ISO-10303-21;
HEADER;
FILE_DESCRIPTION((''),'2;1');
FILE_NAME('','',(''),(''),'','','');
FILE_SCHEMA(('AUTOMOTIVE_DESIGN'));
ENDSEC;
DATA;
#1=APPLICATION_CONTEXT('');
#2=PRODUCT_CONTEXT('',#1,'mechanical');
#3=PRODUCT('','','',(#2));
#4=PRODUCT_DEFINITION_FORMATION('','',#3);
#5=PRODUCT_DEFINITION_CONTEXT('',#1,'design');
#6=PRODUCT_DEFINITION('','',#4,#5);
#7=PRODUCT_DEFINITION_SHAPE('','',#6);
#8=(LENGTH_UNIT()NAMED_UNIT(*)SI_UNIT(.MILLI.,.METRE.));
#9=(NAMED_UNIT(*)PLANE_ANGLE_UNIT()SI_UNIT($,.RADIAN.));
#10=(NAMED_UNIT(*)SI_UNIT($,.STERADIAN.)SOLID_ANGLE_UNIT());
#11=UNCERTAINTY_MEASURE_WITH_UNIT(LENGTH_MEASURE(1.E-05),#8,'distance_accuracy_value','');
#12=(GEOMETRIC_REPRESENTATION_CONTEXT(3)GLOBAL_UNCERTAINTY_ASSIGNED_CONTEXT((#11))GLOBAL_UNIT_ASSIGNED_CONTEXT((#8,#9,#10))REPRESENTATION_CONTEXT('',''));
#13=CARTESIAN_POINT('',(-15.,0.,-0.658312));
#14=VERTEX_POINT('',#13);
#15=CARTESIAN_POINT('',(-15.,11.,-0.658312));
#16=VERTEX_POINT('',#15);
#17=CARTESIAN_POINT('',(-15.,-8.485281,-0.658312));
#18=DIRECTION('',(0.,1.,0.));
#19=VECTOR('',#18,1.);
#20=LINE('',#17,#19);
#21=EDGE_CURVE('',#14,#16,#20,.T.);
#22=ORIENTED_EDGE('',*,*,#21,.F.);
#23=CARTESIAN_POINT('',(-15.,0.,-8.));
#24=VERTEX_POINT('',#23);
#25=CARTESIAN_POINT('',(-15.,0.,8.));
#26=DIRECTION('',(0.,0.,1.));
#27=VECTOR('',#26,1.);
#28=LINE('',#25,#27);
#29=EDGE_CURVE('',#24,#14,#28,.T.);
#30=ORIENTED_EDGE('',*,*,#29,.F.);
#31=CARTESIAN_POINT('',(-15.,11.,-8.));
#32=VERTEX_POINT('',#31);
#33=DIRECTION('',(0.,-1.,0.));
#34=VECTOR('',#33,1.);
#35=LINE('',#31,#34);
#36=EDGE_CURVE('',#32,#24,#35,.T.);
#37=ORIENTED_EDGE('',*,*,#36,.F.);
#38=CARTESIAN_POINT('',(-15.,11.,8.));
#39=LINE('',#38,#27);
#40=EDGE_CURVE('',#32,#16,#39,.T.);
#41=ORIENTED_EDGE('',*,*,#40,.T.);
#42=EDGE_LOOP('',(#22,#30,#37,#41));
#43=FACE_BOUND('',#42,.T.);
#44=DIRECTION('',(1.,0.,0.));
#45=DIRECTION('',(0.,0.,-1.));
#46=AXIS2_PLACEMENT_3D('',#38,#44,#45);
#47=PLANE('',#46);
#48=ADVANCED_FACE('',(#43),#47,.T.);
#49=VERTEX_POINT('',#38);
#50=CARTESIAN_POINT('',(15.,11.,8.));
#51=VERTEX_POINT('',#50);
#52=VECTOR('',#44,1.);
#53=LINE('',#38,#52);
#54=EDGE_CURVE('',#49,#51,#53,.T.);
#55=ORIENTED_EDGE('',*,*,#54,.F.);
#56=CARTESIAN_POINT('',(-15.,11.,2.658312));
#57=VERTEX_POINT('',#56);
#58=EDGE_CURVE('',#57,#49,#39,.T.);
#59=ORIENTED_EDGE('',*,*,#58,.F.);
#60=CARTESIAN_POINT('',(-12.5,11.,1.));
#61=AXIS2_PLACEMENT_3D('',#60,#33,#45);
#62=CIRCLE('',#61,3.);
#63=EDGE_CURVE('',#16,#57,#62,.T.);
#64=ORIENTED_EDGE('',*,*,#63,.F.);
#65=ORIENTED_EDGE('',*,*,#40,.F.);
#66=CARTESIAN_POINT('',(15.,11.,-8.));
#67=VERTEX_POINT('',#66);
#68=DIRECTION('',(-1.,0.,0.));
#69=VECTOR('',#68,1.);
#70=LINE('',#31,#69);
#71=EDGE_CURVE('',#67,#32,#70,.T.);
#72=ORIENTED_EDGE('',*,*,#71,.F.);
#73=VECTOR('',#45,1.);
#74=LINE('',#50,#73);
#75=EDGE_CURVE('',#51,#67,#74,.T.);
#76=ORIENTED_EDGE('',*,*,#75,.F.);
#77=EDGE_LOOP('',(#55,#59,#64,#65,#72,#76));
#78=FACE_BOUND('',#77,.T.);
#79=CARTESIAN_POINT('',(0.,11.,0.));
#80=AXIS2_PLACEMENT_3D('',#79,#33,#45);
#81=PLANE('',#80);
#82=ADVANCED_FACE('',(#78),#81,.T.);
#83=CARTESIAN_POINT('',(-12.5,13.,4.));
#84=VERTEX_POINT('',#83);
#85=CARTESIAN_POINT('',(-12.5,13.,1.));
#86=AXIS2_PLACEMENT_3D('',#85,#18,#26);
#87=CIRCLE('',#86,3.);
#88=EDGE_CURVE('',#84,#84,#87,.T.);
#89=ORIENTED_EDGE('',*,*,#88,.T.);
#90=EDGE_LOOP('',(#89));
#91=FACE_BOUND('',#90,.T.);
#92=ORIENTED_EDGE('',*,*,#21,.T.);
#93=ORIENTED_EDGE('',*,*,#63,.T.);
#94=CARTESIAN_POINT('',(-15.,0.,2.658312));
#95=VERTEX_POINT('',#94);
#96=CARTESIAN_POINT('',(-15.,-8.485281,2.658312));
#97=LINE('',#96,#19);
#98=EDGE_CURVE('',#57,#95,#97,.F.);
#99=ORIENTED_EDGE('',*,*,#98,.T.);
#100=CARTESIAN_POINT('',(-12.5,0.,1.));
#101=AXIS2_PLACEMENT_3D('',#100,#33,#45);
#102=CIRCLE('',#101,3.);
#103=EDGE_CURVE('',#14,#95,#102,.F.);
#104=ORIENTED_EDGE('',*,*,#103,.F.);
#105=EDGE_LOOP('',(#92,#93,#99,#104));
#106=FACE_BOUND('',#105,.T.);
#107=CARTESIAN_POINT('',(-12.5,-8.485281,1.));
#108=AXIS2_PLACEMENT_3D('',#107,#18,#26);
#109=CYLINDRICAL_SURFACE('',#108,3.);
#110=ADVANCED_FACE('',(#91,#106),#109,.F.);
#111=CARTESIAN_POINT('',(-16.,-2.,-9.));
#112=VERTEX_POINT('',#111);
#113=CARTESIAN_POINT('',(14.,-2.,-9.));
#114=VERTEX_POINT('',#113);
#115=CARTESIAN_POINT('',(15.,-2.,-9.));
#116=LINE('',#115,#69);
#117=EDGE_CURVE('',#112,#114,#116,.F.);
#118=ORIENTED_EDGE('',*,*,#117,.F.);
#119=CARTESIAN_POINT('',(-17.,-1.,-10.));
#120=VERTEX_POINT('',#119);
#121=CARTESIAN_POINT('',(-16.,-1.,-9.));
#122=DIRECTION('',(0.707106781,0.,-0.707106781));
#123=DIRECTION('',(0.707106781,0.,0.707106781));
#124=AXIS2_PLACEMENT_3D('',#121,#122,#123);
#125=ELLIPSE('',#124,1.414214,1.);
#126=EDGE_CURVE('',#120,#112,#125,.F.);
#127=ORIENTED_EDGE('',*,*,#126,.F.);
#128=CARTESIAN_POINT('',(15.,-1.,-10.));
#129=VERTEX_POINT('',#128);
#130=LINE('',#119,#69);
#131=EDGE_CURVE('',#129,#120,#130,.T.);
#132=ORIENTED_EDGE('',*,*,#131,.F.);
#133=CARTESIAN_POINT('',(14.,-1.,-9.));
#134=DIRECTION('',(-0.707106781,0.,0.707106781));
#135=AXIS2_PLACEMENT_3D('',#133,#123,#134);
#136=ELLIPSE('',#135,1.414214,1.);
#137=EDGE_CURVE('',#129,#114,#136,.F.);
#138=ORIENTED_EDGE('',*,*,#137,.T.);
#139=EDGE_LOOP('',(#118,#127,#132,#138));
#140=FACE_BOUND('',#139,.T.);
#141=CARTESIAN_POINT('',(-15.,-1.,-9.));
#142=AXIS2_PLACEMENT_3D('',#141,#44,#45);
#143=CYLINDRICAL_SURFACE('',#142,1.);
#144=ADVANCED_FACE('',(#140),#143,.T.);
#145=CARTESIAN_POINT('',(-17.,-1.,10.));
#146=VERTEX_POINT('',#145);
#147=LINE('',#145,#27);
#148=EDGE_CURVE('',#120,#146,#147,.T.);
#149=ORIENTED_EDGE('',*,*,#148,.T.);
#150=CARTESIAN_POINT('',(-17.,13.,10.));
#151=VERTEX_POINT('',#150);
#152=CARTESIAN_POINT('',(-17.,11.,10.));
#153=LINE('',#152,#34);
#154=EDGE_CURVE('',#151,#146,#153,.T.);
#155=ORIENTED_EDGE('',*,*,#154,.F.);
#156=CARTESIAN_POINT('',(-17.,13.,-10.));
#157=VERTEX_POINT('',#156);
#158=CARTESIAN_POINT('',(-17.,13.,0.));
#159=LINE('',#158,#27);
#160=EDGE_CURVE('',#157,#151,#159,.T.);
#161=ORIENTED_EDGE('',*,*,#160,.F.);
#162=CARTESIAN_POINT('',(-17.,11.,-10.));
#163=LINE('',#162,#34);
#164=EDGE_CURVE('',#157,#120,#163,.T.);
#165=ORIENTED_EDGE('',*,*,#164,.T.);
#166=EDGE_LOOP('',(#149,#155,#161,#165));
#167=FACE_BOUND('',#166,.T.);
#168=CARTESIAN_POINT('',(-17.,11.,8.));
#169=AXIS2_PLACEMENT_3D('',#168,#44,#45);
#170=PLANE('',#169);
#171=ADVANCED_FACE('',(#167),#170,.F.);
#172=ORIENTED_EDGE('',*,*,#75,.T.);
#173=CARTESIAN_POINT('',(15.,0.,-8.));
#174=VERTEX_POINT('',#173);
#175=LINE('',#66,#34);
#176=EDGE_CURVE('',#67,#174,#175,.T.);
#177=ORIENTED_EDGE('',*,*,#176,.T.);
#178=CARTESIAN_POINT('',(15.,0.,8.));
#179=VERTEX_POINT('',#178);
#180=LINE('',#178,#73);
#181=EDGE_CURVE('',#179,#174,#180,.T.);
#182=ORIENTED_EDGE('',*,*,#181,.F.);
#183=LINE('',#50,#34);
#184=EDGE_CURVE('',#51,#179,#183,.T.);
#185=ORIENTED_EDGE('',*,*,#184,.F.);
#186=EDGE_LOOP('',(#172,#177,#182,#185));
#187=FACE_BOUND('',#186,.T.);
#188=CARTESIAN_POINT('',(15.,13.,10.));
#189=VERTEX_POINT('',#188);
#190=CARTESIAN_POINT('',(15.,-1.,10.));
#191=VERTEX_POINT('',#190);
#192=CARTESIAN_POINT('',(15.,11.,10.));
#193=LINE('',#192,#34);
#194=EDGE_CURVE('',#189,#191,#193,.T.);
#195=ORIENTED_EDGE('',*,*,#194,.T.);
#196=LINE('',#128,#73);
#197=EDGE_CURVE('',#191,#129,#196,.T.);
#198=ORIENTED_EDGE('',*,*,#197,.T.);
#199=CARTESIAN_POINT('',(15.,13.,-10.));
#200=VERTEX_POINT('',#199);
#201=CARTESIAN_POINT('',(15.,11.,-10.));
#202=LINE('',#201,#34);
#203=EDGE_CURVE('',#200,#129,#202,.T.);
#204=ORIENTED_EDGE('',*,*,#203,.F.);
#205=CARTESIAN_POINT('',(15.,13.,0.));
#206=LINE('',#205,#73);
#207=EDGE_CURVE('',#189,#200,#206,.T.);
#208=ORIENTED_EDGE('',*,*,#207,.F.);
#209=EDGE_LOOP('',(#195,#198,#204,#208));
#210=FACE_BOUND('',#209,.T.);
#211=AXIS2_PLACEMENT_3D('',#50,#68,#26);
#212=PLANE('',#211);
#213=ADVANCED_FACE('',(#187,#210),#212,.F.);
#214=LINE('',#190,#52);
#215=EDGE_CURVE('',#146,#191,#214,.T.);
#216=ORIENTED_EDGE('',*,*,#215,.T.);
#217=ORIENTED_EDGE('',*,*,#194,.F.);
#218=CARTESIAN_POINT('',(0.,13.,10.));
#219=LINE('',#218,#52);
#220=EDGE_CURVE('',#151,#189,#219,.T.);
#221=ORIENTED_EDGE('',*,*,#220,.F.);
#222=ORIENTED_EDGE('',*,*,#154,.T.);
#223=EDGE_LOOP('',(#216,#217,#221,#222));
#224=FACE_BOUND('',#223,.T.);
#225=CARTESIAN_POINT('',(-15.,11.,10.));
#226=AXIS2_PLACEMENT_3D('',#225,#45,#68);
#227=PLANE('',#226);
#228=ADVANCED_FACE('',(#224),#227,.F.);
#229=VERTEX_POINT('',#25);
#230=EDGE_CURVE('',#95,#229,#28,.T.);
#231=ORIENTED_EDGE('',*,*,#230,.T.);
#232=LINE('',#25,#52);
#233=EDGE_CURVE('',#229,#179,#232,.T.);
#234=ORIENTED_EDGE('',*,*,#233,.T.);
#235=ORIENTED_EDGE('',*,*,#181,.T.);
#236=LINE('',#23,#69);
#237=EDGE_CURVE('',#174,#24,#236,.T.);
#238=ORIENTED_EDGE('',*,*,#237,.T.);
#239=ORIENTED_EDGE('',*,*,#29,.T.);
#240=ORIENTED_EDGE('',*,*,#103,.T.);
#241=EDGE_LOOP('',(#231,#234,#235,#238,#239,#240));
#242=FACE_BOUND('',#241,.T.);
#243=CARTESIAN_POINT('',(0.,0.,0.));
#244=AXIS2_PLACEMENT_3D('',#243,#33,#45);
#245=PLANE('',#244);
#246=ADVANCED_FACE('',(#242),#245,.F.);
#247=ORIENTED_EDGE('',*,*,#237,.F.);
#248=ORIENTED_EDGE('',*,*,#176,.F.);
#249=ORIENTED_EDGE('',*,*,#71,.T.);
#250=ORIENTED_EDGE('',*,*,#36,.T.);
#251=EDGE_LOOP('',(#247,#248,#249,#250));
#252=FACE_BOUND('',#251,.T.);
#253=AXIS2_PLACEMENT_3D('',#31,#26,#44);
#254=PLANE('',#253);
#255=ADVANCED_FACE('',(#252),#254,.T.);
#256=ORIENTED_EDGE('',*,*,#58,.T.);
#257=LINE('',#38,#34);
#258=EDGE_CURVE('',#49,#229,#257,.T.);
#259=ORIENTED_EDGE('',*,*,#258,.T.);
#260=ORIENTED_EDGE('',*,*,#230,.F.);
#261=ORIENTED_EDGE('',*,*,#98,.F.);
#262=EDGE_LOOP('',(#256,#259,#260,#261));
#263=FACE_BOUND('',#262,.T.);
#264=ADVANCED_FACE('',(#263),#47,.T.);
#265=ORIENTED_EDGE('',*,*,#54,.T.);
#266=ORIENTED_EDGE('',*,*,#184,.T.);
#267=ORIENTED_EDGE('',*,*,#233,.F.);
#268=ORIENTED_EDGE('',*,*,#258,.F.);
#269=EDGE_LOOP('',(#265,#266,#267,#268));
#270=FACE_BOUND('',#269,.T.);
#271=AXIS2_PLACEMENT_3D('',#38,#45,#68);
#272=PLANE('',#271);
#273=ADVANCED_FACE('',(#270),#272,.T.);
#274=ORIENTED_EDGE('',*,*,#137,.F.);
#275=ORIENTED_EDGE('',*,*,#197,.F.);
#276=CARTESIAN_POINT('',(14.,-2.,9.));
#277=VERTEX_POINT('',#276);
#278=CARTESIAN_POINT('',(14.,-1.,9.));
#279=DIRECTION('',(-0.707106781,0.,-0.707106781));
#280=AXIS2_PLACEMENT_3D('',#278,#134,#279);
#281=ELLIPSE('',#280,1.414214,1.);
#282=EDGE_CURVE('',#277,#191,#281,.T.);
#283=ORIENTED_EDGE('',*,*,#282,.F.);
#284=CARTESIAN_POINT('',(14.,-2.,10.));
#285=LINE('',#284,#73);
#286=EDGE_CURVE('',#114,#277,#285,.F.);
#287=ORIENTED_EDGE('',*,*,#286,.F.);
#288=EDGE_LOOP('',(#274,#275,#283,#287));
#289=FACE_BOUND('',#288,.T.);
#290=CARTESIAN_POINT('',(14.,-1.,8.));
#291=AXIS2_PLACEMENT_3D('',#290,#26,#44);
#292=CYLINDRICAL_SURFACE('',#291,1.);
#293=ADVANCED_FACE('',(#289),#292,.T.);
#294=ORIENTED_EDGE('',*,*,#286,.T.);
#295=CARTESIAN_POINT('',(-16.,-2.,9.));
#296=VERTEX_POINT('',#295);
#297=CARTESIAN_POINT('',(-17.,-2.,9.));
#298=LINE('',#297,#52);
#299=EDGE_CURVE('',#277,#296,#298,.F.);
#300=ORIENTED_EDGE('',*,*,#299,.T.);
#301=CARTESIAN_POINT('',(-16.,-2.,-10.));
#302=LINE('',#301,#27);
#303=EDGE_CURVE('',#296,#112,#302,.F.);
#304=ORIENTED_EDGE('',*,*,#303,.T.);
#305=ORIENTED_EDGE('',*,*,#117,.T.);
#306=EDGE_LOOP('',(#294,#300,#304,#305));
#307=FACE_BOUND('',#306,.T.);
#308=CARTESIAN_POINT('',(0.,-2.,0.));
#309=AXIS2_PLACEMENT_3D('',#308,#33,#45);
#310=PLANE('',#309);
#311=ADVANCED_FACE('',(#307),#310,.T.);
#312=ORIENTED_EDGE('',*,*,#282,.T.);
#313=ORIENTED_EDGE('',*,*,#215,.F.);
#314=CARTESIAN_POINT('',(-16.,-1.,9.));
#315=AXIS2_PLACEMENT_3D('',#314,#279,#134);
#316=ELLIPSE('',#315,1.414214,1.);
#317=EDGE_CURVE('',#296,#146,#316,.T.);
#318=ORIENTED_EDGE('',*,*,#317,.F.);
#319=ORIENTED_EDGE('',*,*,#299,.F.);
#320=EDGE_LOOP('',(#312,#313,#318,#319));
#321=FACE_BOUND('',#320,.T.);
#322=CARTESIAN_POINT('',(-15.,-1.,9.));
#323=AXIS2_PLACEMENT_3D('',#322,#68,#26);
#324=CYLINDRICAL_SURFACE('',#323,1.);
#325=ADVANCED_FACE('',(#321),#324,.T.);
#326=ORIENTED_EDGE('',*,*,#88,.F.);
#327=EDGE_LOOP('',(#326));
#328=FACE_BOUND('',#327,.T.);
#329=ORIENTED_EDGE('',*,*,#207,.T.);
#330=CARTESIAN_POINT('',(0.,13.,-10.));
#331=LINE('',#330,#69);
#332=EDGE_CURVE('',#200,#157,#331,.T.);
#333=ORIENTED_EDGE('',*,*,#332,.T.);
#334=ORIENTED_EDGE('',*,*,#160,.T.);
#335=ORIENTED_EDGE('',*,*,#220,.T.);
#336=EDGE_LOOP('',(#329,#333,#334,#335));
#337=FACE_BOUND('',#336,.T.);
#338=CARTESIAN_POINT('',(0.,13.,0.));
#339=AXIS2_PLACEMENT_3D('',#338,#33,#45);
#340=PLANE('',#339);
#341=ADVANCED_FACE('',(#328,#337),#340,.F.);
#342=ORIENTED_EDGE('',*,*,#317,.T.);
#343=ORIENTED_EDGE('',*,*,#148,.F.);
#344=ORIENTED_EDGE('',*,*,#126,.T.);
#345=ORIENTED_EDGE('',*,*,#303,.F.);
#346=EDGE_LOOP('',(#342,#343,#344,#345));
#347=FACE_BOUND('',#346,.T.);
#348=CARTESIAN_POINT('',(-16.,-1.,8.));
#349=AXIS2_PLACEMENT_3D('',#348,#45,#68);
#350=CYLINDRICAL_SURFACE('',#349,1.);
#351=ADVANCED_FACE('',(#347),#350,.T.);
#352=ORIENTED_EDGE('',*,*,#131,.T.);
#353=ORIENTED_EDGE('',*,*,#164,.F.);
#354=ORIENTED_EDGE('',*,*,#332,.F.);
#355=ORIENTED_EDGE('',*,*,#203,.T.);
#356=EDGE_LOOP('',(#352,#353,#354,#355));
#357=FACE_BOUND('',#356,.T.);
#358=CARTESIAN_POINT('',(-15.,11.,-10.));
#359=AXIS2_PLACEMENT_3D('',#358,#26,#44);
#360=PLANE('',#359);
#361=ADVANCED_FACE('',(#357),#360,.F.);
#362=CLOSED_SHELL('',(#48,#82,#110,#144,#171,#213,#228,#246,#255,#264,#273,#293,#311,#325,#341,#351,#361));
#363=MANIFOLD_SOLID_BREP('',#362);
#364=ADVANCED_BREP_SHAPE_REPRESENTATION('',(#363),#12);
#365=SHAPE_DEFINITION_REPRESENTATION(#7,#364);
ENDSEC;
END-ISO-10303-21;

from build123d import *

# Parameters (mm, degrees)
SKETCH1_W           = 30
SKETCH1_H           = 16
BOSS_EXTRUDE1_DEPTH = 11
SHELL1_T            = 2
CUT_EXTRUDE3_REACH  = 26.779
SKETCH4_R           = 3
FILLET1_R           = 1


with BuildPart() as part:
    # Sketch1 → Boss-Extrude1 (new body)
    with BuildSketch(Plane(origin=(0, 0, 0), x_dir=(1, 0, 0), z_dir=(0, 1, 0))):
        Rectangle(SKETCH1_W, SKETCH1_H)
    extrude(amount=BOSS_EXTRUDE1_DEPTH)

    # Shell1
    shell1_openings = [part.faces().sort_by_distance(p)[0] for p in [
        (15, 5.5, 0),
    ]]
    offset(amount=SHELL1_T, openings=shell1_openings, kind=Kind.INTERSECTION)

    # Cut-Extrude3: up to this face of the body (flat: up to its plane)
    cut_extrude3_end = Plane(part.part.faces().sort_by_distance((0, 0, 0))[0])
    # Sketch4 → Cut-Extrude3 (cut, up to the picked face)
    with BuildSketch(Plane(origin=(0, 13, 0), x_dir=(1, 0, 0), z_dir=(0, 1, 0)), mode=Mode.PRIVATE) as cut_extrude3_sk1:
        with Locations(Location((-12.5, -1, 0), (0, 0, 270))):
            Circle(SKETCH4_R)
    cut_extrude3_tool1 = split(extrude(cut_extrude3_sk1.sketch, amount=-CUT_EXTRUDE3_REACH, mode=Mode.PRIVATE), bisect_by=cut_extrude3_end, keep=Keep.BOTH, mode=Mode.PRIVATE)
    add(cut_extrude3_tool1.solids().sort_by(Axis((-12.5, 13, 1), (0, -1, 0)))[0], mode=Mode.SUBTRACT)

    # Fillet1
    fillet1_edges = [part.edges().sort_by_distance(p)[0] for p in [
        (-1, -2, 10),
        (-17, -2, 0),
        (-1, -2, -10),
        (15, -2, 0),
    ]]
    fillet(fillet1_edges, radius=FILLET1_R)


solid = part.part
